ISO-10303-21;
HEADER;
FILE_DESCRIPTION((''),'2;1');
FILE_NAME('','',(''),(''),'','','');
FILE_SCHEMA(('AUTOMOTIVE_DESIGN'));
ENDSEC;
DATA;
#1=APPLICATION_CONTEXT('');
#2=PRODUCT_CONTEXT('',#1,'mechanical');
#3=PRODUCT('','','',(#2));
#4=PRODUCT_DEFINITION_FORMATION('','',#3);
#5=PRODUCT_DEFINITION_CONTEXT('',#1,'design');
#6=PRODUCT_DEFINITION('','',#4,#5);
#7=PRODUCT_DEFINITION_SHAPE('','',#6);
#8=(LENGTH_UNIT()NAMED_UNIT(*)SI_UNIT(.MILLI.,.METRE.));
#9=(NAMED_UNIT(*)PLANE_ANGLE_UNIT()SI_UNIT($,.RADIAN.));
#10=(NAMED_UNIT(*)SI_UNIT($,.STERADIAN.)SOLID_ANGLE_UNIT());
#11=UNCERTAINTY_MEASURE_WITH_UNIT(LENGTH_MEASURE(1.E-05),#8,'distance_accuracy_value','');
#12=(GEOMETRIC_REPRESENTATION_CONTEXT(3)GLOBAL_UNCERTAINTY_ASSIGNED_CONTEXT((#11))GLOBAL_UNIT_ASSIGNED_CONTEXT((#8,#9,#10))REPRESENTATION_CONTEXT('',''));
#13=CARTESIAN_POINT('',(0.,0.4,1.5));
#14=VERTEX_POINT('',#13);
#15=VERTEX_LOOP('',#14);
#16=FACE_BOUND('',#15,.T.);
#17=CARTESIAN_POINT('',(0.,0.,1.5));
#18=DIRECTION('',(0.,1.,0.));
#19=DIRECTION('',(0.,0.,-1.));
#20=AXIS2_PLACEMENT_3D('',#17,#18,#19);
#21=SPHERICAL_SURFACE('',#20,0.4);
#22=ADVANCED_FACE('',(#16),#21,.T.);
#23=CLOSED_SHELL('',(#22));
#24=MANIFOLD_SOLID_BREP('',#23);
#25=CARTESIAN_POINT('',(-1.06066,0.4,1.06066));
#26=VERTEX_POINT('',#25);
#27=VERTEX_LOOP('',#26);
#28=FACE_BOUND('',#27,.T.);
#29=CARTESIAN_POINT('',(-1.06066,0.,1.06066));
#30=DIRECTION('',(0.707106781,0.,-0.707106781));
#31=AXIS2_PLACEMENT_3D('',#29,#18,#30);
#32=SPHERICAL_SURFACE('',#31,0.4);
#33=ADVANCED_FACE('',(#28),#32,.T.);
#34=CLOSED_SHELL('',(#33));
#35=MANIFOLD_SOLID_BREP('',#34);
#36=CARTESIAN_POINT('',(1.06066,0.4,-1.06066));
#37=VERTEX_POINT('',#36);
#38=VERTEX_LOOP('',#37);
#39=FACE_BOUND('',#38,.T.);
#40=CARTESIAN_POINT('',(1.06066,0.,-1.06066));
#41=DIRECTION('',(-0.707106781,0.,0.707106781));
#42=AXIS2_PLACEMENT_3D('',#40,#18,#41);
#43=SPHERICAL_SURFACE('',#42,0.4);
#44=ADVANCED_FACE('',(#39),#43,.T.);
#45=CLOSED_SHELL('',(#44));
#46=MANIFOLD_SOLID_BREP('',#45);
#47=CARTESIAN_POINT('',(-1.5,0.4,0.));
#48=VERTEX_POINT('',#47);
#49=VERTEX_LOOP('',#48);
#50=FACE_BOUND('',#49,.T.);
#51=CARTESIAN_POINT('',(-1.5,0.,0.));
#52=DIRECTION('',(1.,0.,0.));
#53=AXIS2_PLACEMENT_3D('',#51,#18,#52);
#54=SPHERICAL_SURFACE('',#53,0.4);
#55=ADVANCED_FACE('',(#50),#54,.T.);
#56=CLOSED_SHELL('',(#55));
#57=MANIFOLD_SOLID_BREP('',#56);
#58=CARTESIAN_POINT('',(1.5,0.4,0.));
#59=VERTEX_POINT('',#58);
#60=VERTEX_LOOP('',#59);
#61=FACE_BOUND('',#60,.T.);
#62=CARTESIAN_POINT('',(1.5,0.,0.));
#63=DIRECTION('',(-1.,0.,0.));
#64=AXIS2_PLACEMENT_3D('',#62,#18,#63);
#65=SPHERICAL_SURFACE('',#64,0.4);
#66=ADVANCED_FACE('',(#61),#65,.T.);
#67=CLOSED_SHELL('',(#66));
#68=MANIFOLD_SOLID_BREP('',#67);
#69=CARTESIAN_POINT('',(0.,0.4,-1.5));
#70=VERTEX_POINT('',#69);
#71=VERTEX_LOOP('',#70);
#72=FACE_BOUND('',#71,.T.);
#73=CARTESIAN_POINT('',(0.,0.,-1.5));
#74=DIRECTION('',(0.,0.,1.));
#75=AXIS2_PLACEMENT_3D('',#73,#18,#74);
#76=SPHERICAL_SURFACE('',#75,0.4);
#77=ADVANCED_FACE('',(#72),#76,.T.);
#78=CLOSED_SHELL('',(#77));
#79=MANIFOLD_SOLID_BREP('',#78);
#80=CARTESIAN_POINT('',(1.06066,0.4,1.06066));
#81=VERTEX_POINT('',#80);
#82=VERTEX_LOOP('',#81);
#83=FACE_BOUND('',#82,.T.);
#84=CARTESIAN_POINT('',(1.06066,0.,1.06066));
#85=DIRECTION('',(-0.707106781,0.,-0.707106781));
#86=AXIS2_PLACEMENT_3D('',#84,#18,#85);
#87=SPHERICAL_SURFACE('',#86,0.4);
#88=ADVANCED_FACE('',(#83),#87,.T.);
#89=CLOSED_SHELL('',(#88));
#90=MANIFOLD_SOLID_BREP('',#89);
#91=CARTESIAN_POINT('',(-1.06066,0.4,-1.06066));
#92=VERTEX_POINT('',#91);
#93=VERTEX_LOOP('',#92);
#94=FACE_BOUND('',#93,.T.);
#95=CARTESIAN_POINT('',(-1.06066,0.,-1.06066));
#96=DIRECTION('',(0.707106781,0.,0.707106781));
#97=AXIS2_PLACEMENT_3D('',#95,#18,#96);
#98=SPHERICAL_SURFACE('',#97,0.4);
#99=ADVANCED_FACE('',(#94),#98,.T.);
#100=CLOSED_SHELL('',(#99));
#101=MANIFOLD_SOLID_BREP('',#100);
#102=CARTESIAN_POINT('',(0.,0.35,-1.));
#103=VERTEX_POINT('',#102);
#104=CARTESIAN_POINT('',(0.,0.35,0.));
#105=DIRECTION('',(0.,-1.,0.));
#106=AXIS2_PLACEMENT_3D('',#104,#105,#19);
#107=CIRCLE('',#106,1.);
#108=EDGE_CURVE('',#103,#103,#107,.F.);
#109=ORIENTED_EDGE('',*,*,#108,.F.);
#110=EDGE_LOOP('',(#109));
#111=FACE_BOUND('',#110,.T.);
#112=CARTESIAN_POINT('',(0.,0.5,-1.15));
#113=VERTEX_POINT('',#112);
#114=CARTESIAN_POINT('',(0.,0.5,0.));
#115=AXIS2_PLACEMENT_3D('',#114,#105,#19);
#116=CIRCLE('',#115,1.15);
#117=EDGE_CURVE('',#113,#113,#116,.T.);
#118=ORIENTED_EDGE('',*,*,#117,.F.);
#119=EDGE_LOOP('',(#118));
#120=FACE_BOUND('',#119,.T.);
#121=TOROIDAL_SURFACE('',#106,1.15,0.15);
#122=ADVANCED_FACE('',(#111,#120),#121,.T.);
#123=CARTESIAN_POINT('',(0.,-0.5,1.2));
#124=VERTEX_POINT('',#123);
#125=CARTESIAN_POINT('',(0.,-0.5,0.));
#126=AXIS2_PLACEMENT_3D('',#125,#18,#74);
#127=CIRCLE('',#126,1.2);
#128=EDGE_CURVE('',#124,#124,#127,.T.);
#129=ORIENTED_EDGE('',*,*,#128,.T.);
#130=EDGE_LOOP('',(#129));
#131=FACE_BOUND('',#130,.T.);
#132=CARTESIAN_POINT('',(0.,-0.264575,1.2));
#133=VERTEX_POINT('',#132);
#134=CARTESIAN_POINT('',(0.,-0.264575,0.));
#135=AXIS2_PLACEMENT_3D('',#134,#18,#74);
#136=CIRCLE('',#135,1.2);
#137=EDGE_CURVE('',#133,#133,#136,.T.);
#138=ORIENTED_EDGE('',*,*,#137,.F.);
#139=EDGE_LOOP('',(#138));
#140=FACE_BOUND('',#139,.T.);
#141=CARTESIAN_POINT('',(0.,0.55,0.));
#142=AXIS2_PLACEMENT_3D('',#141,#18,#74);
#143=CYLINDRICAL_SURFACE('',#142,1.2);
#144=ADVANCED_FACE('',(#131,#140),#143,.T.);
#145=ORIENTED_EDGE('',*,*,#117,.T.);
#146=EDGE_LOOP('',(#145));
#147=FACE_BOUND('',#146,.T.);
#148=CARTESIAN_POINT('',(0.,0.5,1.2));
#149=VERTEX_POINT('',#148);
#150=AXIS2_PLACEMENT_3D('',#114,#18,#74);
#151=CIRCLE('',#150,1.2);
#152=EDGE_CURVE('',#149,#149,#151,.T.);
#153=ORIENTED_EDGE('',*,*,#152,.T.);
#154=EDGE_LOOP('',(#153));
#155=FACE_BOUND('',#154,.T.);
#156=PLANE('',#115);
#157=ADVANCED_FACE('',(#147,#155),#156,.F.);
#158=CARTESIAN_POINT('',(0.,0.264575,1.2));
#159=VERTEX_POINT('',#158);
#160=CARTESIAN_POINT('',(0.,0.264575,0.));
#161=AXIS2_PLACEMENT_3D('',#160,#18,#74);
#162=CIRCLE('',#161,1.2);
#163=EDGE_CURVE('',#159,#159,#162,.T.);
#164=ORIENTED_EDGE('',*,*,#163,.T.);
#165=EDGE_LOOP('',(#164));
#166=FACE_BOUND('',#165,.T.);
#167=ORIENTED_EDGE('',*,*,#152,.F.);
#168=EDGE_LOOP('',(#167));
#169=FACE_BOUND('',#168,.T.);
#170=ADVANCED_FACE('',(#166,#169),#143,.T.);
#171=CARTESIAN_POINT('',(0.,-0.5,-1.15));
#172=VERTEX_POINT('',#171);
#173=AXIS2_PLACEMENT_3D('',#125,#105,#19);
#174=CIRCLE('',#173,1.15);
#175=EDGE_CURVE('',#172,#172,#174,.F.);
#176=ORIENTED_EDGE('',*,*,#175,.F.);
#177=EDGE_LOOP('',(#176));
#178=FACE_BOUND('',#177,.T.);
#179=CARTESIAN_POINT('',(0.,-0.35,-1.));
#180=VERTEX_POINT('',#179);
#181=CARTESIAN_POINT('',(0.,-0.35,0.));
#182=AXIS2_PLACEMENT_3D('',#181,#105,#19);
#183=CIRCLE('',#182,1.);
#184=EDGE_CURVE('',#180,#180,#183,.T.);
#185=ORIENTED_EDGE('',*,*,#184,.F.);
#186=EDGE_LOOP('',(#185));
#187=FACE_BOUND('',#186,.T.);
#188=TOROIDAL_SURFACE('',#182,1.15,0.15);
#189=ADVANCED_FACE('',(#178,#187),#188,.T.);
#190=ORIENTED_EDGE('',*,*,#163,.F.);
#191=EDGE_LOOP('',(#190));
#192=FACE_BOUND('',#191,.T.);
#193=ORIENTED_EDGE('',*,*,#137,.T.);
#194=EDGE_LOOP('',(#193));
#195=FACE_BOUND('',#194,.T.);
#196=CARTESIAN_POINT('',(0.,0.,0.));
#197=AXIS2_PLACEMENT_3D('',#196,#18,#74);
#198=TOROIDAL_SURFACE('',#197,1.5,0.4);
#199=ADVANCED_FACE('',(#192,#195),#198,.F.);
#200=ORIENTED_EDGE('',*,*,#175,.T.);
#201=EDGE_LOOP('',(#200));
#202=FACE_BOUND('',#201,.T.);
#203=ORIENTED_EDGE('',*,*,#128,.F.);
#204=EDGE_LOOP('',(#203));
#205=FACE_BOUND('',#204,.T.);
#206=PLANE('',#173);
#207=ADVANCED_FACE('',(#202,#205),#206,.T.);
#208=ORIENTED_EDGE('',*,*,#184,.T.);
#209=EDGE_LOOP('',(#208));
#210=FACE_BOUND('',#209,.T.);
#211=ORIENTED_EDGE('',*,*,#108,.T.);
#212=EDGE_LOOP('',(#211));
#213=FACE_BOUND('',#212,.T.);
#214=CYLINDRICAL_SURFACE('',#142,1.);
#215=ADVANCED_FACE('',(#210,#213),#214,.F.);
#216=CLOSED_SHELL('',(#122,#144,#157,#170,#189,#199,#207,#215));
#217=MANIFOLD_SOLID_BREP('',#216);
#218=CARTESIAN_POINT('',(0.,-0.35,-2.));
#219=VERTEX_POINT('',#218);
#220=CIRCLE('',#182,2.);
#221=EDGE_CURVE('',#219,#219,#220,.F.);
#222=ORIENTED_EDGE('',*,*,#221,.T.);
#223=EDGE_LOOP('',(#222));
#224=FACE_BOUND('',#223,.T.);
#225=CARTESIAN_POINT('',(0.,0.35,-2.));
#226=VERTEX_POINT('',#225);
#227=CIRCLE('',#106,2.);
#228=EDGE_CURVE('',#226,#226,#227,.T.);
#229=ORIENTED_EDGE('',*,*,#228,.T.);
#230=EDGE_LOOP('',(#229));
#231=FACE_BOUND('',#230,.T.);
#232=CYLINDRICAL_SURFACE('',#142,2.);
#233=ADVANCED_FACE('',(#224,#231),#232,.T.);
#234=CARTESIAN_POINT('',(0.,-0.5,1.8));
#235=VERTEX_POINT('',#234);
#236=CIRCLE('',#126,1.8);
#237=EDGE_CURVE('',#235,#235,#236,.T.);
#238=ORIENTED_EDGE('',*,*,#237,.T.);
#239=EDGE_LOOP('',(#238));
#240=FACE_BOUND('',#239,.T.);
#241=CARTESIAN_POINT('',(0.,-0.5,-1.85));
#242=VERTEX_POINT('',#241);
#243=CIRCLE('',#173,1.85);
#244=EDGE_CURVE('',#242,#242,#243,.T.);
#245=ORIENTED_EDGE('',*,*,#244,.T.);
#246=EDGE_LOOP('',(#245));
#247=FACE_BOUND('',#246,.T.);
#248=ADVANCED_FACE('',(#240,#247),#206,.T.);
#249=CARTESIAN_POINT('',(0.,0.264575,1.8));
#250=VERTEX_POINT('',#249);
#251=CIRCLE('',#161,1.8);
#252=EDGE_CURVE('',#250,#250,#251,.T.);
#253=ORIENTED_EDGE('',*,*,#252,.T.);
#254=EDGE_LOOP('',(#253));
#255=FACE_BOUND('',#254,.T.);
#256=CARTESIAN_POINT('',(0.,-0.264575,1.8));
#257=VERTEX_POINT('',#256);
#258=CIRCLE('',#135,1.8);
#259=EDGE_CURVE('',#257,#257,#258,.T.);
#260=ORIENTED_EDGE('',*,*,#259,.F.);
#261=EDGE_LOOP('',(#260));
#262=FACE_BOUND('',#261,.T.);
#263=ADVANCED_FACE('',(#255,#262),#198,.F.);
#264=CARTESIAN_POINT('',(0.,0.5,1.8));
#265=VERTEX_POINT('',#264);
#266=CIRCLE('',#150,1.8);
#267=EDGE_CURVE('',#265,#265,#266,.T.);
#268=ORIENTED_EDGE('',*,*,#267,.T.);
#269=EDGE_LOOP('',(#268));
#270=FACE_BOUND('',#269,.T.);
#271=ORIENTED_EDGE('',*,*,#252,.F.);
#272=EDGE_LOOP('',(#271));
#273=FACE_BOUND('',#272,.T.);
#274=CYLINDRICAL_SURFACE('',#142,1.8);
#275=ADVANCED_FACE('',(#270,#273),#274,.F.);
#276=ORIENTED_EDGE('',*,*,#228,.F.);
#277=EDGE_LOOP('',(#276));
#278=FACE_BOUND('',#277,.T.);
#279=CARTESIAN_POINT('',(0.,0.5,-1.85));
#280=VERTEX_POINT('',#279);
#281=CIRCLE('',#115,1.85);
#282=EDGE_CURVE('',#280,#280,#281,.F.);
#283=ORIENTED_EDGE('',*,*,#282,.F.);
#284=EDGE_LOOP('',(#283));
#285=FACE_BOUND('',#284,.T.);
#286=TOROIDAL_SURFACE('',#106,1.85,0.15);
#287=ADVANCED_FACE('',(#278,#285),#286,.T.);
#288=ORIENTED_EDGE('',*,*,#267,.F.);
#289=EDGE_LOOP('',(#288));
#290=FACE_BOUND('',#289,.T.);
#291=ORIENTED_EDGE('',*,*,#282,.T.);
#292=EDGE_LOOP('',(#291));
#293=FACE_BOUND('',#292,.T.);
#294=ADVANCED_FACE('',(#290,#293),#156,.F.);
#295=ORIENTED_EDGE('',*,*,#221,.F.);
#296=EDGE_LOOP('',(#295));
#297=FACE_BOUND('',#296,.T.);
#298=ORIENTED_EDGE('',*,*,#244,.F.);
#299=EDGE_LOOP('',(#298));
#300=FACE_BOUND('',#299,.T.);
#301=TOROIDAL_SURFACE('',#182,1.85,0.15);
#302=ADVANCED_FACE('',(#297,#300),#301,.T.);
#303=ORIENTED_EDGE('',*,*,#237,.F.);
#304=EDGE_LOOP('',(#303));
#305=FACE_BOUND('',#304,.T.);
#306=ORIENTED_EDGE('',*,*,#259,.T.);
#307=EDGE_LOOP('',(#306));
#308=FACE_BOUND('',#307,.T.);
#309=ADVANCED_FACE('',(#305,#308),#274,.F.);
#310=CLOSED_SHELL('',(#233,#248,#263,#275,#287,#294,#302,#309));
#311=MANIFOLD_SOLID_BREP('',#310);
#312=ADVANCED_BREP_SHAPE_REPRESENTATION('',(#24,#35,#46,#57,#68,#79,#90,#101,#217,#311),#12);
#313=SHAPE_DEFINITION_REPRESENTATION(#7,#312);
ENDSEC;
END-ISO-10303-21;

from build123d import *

# Parameters (mm, degrees)
FILLET1_R         = 0.15
FILLET2_R         = 0.15
CIRPATTERN3_COUNT = 8


with BuildPart() as part:
    # Sketch1 → Revolve1 (revolve)
    with BuildSketch(Plane.XY):
        with BuildLine():
            ThreePointArc((-1.2, -0.264575131), (-1.1, 0), (-1.2, 0.264575131))
            ThreePointArc((-1.2, 0.264575131), (-1.335424869, 0.364575131), (-1.5, 0.4))
            Line((-1.5, 0.4), (-1.5, -0.4))
            ThreePointArc((-1.5, -0.4), (-1.335424869, -0.364575131), (-1.2, -0.264575131))
        make_face()
    revolve(axis=Axis((-1.5, 0.4, 0), (0, -1, 0)))


with BuildPart() as body_2:
    # Sketch1<3> → Revolve2 (revolve)
    with BuildSketch(Plane.XY):
        with BuildLine():
            Line((-1, 0.5), (-1.2, 0.5))
            Line((-1.2, 0.5), (-1.2, 0.264575131))
            ThreePointArc((-1.2, 0.264575131), (-1.1, 0), (-1.2, -0.264575131))
            Line((-1.2, -0.264575131), (-1.2, -0.5))
            Line((-1.2, -0.5), (-1, -0.5))
            Line((-1, -0.5), (-1, 0.5))
        make_face()
        with BuildLine():
            Line((-1.8, 0.5), (-2, 0.5))
            Line((-2, 0.5), (-2, -0.5))
            Line((-2, -0.5), (-1.8, -0.5))
            Line((-1.8, -0.5), (-1.8, -0.264575131))
            ThreePointArc((-1.8, -0.264575131), (-1.9, 0), (-1.8, 0.264575131))
            Line((-1.8, 0.264575131), (-1.8, 0.5))
        make_face()
    revolve(axis=Axis((0, 0.55, 0), (0, -1, 0)))

    # Fillet1
    fillet1_edges = [body_2.edges().sort_by_distance(p)[0] for p in [
        (2, 0.5, 0),
        (2, -0.5, 0),
    ]]
    fillet(fillet1_edges, radius=FILLET1_R)

    # Fillet2
    fillet2_edges = [body_2.edges().sort_by_distance(p)[0] for p in [
        (1, 0.5, 0),
        (1, -0.5, 0),
    ]]
    fillet(fillet2_edges, radius=FILLET2_R)


with BuildPart() as cirpattern3_1:
    # CirPattern3: pattern copy
    add(part.part.rotate(Axis((0, 0.55, 0), (0, -1, 0)), 1 * 360 / CIRPATTERN3_COUNT))


with BuildPart() as cirpattern3_2:
    # CirPattern3: pattern copy
    add(part.part.rotate(Axis((0, 0.55, 0), (0, -1, 0)), 2 * 360 / CIRPATTERN3_COUNT))


with BuildPart() as cirpattern3_3:
    # CirPattern3: pattern copy
    add(part.part.rotate(Axis((0, 0.55, 0), (0, -1, 0)), 3 * 360 / CIRPATTERN3_COUNT))


with BuildPart() as cirpattern3_4:
    # CirPattern3: pattern copy
    add(part.part.rotate(Axis((0, 0.55, 0), (0, -1, 0)), 4 * 360 / CIRPATTERN3_COUNT))


with BuildPart() as cirpattern3_5:
    # CirPattern3: pattern copy
    add(part.part.rotate(Axis((0, 0.55, 0), (0, -1, 0)), 5 * 360 / CIRPATTERN3_COUNT))


with BuildPart() as cirpattern3_6:
    # CirPattern3: pattern copy
    add(part.part.rotate(Axis((0, 0.55, 0), (0, -1, 0)), 6 * 360 / CIRPATTERN3_COUNT))


with BuildPart() as cirpattern3_7:
    # CirPattern3: pattern copy
    add(part.part.rotate(Axis((0, 0.55, 0), (0, -1, 0)), 7 * 360 / CIRPATTERN3_COUNT))


solid = Compound([part.part, body_2.part, cirpattern3_1.part, cirpattern3_2.part, cirpattern3_3.part, cirpattern3_4.part, cirpattern3_5.part, cirpattern3_6.part, cirpattern3_7.part])
